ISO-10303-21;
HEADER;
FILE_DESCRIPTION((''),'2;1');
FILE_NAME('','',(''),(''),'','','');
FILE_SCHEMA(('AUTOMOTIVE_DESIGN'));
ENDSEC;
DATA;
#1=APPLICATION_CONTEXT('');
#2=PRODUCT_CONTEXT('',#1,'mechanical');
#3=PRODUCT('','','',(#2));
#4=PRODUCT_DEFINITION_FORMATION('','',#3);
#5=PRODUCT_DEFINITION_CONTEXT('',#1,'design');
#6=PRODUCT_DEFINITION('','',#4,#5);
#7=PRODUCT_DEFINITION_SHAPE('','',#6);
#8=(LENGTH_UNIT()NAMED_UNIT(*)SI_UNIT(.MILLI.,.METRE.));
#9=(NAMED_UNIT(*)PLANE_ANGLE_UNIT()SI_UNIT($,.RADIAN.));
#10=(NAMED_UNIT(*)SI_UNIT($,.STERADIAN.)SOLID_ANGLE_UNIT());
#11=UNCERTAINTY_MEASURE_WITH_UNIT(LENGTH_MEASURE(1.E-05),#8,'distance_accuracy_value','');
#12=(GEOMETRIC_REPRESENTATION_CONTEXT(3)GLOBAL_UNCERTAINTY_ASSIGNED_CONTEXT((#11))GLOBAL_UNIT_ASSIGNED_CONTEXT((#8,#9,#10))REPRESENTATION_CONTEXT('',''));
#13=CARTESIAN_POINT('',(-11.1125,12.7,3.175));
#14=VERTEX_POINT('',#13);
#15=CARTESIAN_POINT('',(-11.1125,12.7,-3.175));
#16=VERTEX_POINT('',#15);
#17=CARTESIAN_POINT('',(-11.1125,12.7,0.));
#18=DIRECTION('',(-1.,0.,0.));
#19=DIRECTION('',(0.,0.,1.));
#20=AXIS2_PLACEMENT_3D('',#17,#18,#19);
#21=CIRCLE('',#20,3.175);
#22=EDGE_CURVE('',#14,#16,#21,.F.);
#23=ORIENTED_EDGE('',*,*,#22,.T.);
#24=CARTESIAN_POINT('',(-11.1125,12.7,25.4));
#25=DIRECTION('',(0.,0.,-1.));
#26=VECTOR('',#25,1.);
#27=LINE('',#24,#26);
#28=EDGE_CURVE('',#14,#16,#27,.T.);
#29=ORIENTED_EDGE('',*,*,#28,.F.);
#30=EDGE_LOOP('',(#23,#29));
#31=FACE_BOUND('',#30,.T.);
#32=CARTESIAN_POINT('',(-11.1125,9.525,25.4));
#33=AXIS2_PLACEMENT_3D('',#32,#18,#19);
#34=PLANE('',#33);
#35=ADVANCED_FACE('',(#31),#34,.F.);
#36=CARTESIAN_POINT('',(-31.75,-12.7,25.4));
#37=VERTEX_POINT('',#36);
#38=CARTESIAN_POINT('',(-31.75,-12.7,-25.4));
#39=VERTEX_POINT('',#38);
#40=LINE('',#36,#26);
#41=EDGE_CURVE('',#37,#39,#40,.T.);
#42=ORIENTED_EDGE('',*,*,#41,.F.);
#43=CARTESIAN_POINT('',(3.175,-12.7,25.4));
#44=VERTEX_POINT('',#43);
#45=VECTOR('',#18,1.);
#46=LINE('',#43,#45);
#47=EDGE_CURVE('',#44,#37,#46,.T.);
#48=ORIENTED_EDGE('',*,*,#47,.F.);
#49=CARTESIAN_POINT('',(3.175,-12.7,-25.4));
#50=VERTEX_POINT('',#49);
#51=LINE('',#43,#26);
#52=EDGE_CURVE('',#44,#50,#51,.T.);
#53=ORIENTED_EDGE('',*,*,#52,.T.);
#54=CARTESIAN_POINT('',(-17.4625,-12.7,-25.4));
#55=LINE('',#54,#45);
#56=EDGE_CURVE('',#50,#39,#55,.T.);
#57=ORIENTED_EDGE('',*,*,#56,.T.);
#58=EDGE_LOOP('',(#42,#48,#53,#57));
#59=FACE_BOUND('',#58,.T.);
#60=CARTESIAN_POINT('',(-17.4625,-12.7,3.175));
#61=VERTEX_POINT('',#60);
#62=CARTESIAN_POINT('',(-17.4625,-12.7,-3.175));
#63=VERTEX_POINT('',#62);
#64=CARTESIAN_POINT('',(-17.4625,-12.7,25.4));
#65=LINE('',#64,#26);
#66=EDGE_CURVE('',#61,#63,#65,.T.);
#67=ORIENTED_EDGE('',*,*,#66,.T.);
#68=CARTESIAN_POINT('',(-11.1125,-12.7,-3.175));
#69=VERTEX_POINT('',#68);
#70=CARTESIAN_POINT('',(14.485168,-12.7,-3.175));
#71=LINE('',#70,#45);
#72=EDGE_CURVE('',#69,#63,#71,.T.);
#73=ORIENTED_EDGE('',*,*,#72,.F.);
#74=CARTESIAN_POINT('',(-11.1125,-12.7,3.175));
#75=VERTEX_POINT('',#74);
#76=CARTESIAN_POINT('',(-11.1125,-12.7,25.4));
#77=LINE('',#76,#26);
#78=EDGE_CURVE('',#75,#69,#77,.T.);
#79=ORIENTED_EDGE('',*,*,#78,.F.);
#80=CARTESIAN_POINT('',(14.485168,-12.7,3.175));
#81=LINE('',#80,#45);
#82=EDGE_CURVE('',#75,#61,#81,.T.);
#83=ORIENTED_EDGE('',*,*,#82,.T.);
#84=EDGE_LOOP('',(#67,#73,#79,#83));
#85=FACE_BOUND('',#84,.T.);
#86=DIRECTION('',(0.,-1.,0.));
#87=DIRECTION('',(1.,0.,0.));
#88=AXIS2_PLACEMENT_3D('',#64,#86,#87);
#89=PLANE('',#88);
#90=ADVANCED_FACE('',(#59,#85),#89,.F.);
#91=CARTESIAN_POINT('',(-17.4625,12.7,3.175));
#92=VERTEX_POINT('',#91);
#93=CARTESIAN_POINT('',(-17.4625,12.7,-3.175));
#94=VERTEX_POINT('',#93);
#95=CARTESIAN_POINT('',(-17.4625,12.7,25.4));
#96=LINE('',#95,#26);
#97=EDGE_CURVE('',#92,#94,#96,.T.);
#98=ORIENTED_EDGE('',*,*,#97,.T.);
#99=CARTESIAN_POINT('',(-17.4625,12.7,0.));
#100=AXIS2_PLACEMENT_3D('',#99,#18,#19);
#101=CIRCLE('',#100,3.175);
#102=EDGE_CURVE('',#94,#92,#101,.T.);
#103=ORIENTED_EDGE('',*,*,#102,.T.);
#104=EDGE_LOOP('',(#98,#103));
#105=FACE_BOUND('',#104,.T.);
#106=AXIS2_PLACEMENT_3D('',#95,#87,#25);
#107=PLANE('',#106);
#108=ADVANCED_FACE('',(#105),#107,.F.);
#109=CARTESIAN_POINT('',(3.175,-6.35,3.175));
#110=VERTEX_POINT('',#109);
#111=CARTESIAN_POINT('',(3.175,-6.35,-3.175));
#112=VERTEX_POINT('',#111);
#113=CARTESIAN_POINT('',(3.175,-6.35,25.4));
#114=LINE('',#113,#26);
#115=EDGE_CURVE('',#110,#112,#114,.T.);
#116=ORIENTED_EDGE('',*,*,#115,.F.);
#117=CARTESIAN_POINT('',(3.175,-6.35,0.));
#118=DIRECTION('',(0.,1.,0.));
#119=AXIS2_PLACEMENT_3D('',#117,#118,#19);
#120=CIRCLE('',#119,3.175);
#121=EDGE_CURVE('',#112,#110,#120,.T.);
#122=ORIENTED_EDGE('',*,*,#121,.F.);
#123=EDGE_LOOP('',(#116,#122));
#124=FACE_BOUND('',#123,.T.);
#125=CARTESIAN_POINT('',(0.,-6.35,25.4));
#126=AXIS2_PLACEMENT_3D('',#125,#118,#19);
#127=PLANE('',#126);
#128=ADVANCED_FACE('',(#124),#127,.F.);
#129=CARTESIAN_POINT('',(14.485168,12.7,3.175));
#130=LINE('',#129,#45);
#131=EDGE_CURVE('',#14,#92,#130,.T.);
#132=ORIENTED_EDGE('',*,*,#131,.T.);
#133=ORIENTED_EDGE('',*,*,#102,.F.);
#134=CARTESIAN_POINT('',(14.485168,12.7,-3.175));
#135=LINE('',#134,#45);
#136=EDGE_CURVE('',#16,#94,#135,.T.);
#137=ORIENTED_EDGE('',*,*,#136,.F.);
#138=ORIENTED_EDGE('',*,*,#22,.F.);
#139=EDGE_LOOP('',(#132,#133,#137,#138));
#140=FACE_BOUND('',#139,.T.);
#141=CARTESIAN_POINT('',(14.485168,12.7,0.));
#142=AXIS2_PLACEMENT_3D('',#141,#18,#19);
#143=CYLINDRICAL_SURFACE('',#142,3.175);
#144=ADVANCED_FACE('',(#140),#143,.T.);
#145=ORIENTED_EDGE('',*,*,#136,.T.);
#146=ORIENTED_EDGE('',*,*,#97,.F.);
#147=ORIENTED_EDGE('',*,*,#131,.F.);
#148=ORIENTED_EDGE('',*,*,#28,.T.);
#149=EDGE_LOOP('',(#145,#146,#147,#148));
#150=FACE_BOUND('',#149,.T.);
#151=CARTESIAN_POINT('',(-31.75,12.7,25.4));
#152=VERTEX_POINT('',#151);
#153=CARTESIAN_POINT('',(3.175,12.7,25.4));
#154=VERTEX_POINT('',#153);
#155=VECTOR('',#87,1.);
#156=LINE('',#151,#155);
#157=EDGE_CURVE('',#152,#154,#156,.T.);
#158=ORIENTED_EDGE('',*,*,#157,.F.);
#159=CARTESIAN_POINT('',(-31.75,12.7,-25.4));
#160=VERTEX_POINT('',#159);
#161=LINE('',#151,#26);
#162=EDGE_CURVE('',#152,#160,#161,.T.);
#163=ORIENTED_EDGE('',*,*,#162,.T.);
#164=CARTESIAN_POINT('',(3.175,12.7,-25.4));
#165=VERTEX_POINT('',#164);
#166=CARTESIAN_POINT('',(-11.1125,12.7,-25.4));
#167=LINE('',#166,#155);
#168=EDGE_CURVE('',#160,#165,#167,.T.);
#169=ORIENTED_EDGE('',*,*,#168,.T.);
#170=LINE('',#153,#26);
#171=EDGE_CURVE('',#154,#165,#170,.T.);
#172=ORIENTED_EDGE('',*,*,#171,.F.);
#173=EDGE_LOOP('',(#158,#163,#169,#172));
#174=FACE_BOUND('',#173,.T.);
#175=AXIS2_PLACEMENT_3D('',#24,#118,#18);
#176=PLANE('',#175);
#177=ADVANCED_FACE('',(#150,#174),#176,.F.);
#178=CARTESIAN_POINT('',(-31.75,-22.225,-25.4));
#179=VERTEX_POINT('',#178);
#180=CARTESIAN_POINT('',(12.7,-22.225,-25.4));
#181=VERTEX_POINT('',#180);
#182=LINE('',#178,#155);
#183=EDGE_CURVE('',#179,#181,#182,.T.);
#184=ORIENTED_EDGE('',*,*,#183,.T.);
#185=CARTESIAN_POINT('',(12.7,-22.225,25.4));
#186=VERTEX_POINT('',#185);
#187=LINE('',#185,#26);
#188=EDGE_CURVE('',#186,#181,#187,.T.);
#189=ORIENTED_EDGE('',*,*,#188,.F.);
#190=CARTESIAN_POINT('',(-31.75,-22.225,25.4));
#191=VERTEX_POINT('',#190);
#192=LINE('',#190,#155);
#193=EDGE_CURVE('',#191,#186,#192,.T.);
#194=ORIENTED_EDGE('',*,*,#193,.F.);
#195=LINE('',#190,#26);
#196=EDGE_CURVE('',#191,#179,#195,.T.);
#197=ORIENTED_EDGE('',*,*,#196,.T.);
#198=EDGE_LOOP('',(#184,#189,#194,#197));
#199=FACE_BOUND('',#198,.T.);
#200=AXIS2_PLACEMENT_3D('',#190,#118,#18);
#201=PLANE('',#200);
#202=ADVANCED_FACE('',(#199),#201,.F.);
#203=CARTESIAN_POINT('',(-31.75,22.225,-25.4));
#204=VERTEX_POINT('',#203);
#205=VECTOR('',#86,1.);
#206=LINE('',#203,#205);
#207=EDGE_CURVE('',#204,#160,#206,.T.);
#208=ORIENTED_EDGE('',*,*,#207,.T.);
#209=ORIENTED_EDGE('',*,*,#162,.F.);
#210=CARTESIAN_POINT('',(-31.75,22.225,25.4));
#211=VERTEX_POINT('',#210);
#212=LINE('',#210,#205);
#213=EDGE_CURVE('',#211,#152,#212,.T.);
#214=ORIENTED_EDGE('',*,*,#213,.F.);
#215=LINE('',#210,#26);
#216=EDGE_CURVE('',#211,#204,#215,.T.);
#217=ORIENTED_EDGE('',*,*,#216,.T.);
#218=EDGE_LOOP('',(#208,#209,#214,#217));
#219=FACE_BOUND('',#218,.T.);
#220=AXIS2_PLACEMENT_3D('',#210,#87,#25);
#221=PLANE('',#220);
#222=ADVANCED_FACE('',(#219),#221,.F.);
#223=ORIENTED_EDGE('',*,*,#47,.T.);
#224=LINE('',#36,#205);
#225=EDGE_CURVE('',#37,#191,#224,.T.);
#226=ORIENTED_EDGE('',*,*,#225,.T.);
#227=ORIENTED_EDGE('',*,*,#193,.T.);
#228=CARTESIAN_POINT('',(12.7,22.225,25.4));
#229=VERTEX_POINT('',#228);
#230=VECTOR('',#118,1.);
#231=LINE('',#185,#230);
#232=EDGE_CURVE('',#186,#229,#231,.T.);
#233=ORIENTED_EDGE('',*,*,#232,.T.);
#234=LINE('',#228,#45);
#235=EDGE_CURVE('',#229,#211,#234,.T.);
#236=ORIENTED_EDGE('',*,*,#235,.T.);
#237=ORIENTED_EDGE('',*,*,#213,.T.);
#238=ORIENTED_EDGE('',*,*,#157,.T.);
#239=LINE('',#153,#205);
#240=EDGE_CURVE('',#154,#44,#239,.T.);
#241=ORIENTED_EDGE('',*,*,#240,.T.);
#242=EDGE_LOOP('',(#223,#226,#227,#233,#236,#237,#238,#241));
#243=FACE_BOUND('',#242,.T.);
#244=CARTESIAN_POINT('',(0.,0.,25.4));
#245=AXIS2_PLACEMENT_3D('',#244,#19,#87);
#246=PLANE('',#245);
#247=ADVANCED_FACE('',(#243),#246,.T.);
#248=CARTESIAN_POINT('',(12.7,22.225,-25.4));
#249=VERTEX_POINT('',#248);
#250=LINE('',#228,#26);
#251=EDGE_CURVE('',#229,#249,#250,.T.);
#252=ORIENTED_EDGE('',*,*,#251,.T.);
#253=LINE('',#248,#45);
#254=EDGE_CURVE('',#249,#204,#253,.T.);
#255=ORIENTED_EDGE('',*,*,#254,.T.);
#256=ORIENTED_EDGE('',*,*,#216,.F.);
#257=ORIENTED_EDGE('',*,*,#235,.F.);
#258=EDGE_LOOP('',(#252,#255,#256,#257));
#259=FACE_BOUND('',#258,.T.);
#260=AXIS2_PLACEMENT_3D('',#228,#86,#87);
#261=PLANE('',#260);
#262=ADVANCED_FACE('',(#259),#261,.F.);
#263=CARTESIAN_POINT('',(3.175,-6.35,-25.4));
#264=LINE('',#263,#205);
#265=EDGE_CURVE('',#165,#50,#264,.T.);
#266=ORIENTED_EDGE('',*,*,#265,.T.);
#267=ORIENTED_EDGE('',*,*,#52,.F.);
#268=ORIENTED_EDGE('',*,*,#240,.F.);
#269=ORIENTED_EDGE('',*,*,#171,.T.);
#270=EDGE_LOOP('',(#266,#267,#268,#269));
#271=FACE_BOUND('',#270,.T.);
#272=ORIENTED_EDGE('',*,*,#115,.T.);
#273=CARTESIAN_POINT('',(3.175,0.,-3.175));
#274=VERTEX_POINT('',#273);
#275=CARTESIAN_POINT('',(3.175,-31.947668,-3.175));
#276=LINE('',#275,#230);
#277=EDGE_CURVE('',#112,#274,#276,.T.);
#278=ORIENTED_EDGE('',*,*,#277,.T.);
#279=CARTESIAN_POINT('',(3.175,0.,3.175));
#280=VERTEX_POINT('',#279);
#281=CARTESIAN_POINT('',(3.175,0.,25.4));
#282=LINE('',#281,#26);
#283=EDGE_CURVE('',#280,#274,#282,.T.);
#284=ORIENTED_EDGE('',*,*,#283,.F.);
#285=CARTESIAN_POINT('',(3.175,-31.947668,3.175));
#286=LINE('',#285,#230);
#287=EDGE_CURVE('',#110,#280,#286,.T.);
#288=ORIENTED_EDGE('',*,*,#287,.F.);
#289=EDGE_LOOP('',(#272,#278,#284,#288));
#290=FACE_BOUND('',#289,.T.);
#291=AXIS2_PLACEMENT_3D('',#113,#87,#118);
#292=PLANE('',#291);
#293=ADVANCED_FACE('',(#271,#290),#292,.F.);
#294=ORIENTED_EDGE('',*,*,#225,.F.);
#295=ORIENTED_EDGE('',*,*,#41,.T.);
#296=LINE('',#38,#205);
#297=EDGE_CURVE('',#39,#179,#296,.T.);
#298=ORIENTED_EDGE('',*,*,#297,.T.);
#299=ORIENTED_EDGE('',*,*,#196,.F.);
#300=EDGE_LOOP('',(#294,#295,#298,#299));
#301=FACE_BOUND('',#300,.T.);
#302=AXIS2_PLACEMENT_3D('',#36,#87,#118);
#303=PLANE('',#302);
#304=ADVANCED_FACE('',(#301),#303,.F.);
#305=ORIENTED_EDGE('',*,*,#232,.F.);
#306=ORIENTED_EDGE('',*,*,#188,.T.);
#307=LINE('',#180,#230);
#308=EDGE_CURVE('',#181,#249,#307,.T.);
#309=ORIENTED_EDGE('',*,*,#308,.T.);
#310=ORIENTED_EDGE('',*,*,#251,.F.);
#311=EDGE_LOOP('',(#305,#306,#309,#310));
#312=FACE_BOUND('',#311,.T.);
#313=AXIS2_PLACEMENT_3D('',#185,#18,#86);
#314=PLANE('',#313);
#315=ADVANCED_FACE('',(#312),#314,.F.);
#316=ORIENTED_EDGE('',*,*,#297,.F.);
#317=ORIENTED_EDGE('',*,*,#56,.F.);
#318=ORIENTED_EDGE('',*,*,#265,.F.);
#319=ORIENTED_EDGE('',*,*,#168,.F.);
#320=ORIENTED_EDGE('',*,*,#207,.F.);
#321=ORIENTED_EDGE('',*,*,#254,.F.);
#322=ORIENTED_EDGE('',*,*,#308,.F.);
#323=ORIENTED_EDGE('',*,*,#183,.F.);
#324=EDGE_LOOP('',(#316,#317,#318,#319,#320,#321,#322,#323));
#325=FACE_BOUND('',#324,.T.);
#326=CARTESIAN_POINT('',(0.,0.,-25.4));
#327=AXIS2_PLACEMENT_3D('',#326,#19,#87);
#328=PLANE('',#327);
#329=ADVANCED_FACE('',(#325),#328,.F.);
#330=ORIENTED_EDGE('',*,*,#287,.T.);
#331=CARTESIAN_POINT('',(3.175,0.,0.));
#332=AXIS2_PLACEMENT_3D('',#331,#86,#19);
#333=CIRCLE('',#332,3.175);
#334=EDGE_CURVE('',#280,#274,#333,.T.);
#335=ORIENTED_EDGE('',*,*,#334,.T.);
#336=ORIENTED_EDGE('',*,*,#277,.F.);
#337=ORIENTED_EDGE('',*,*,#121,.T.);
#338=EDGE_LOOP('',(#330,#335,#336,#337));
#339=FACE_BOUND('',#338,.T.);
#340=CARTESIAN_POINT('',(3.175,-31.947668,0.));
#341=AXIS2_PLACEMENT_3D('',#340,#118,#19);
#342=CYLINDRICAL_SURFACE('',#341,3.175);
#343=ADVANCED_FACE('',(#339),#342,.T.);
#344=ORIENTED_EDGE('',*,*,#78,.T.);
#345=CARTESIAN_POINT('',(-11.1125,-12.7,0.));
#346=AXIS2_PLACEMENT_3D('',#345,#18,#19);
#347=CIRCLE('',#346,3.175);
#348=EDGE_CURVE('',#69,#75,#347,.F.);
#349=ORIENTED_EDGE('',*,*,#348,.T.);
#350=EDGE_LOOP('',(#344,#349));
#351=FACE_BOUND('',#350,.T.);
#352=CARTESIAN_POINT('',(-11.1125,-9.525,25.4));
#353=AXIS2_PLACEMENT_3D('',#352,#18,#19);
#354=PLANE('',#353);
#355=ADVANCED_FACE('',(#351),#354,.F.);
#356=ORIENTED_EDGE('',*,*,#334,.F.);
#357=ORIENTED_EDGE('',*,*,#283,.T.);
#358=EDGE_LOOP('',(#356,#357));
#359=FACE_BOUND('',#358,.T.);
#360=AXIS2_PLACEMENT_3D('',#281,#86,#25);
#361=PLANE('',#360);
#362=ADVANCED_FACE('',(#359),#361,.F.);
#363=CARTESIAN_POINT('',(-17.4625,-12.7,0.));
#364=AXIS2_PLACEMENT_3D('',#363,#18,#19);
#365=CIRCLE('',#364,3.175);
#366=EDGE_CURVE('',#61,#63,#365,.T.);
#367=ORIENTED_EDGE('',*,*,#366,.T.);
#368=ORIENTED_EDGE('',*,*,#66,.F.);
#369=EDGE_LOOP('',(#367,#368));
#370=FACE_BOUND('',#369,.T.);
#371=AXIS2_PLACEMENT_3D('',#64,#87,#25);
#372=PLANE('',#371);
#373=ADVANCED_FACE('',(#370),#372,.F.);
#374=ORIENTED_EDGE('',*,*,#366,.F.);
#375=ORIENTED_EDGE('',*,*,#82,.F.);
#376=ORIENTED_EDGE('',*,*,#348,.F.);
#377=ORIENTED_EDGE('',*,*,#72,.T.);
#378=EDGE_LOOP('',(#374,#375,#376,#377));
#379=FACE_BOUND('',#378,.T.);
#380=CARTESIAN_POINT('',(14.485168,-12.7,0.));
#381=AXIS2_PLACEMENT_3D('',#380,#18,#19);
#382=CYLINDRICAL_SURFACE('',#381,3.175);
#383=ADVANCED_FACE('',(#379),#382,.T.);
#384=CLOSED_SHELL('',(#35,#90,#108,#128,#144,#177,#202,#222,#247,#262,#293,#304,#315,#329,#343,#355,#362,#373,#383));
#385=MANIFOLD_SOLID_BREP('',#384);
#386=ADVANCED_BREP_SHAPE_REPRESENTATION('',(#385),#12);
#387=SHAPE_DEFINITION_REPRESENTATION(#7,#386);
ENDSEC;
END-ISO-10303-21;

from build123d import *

# Parameters (mm, degrees)
BOSS_EXTRUDE1_DEPTH = 25.4
CUT_EXTRUDE1_DEPTH  = 6.35
CUT_EXTRUDE2_DEPTH  = 6.35


with BuildPart() as part:
    # Sketch1 → Boss-Extrude1 (new body, symmetric)
    with BuildSketch(Plane.XY):
        Polygon((-31.75, 22.225), (-31.75, 12.7), (-17.4625, 12.7), (-17.4625, 9.525), (-11.1125, 9.525), (-11.1125, 12.7), (3.175, 12.7), (3.175, 0), (0, 0), (0, -6.35), (3.175, -6.35), (3.175, -12.7), (-11.1125, -12.7), (-11.1125, -9.525), (-17.4625, -9.525), (-17.4625, -12.7), (-31.75, -12.7), (-31.75, -22.225), (12.7, -22.225), (12.7, 22.225), align=None)
    extrude(amount=BOSS_EXTRUDE1_DEPTH, both=True)

    # Sketch2 → Cut-Extrude1 (cut)
    with BuildSketch(Plane.ZY.offset(17.4625)):
        with BuildLine():
            ThreePointArc((3.175, 12.7), (2.245064024, 10.454935963), (-1.9e-08, 9.525))
            Line((-1.9e-08, 9.525), (25.4, 9.525))
            Line((25.4, 9.525), (25.4, 12.7))
            Line((25.4, 12.7), (3.175, 12.7))
        make_face()
        with BuildLine():
            Line((-3.175, 12.7), (-25.4, 12.7))
            Line((-25.4, 12.7), (-25.4, 9.525))
            Line((-25.4, 9.525), (-1.9e-08, 9.525))
            ThreePointArc((-1.9e-08, 9.525), (-2.245064037, 10.454935976), (-3.175, 12.7))
        make_face()
        with BuildLine():
            Line((-2e-09, -9.525), (-25.4, -9.525))
            Line((-25.4, -9.525), (-25.4, -12.7))
            Line((-25.4, -12.7), (-3.175, -12.7))
            ThreePointArc((-3.175, -12.7), (-2.245064031, -10.454935971), (-2e-09, -9.525))
        make_face()
        with BuildLine():
            Line((25.4, -9.525), (-2e-09, -9.525))
            ThreePointArc((-2e-09, -9.525), (2.245064029, -10.454935969), (3.175, -12.7))
            Line((3.175, -12.7), (25.4, -12.7))
            Line((25.4, -12.7), (25.4, -9.525))
        make_face()
    extrude(amount=-CUT_EXTRUDE1_DEPTH, mode=Mode.SUBTRACT)

    # Sketch3 → Cut-Extrude2 (cut)
    with BuildSketch(Plane(origin=(0, 0, 0), x_dir=(1, 0, 0), z_dir=(0, 1, 0))):
        with BuildLine():
            Line((0, 0), (0, -25.4))
            Line((0, -25.4), (3.175, -25.4))
            Line((3.175, -25.4), (3.175, -3.175))
            ThreePointArc((3.175, -3.175), (0.92993597, -2.24506403), (0, 0))
        make_face()
    cut_extrude2 = extrude(amount=-CUT_EXTRUDE2_DEPTH, mode=Mode.SUBTRACT)

    # Mirror1: Cut-Extrude2 across plane
    add(cut_extrude2.mirror(Plane.XY), mode=Mode.SUBTRACT)


solid = part.part
